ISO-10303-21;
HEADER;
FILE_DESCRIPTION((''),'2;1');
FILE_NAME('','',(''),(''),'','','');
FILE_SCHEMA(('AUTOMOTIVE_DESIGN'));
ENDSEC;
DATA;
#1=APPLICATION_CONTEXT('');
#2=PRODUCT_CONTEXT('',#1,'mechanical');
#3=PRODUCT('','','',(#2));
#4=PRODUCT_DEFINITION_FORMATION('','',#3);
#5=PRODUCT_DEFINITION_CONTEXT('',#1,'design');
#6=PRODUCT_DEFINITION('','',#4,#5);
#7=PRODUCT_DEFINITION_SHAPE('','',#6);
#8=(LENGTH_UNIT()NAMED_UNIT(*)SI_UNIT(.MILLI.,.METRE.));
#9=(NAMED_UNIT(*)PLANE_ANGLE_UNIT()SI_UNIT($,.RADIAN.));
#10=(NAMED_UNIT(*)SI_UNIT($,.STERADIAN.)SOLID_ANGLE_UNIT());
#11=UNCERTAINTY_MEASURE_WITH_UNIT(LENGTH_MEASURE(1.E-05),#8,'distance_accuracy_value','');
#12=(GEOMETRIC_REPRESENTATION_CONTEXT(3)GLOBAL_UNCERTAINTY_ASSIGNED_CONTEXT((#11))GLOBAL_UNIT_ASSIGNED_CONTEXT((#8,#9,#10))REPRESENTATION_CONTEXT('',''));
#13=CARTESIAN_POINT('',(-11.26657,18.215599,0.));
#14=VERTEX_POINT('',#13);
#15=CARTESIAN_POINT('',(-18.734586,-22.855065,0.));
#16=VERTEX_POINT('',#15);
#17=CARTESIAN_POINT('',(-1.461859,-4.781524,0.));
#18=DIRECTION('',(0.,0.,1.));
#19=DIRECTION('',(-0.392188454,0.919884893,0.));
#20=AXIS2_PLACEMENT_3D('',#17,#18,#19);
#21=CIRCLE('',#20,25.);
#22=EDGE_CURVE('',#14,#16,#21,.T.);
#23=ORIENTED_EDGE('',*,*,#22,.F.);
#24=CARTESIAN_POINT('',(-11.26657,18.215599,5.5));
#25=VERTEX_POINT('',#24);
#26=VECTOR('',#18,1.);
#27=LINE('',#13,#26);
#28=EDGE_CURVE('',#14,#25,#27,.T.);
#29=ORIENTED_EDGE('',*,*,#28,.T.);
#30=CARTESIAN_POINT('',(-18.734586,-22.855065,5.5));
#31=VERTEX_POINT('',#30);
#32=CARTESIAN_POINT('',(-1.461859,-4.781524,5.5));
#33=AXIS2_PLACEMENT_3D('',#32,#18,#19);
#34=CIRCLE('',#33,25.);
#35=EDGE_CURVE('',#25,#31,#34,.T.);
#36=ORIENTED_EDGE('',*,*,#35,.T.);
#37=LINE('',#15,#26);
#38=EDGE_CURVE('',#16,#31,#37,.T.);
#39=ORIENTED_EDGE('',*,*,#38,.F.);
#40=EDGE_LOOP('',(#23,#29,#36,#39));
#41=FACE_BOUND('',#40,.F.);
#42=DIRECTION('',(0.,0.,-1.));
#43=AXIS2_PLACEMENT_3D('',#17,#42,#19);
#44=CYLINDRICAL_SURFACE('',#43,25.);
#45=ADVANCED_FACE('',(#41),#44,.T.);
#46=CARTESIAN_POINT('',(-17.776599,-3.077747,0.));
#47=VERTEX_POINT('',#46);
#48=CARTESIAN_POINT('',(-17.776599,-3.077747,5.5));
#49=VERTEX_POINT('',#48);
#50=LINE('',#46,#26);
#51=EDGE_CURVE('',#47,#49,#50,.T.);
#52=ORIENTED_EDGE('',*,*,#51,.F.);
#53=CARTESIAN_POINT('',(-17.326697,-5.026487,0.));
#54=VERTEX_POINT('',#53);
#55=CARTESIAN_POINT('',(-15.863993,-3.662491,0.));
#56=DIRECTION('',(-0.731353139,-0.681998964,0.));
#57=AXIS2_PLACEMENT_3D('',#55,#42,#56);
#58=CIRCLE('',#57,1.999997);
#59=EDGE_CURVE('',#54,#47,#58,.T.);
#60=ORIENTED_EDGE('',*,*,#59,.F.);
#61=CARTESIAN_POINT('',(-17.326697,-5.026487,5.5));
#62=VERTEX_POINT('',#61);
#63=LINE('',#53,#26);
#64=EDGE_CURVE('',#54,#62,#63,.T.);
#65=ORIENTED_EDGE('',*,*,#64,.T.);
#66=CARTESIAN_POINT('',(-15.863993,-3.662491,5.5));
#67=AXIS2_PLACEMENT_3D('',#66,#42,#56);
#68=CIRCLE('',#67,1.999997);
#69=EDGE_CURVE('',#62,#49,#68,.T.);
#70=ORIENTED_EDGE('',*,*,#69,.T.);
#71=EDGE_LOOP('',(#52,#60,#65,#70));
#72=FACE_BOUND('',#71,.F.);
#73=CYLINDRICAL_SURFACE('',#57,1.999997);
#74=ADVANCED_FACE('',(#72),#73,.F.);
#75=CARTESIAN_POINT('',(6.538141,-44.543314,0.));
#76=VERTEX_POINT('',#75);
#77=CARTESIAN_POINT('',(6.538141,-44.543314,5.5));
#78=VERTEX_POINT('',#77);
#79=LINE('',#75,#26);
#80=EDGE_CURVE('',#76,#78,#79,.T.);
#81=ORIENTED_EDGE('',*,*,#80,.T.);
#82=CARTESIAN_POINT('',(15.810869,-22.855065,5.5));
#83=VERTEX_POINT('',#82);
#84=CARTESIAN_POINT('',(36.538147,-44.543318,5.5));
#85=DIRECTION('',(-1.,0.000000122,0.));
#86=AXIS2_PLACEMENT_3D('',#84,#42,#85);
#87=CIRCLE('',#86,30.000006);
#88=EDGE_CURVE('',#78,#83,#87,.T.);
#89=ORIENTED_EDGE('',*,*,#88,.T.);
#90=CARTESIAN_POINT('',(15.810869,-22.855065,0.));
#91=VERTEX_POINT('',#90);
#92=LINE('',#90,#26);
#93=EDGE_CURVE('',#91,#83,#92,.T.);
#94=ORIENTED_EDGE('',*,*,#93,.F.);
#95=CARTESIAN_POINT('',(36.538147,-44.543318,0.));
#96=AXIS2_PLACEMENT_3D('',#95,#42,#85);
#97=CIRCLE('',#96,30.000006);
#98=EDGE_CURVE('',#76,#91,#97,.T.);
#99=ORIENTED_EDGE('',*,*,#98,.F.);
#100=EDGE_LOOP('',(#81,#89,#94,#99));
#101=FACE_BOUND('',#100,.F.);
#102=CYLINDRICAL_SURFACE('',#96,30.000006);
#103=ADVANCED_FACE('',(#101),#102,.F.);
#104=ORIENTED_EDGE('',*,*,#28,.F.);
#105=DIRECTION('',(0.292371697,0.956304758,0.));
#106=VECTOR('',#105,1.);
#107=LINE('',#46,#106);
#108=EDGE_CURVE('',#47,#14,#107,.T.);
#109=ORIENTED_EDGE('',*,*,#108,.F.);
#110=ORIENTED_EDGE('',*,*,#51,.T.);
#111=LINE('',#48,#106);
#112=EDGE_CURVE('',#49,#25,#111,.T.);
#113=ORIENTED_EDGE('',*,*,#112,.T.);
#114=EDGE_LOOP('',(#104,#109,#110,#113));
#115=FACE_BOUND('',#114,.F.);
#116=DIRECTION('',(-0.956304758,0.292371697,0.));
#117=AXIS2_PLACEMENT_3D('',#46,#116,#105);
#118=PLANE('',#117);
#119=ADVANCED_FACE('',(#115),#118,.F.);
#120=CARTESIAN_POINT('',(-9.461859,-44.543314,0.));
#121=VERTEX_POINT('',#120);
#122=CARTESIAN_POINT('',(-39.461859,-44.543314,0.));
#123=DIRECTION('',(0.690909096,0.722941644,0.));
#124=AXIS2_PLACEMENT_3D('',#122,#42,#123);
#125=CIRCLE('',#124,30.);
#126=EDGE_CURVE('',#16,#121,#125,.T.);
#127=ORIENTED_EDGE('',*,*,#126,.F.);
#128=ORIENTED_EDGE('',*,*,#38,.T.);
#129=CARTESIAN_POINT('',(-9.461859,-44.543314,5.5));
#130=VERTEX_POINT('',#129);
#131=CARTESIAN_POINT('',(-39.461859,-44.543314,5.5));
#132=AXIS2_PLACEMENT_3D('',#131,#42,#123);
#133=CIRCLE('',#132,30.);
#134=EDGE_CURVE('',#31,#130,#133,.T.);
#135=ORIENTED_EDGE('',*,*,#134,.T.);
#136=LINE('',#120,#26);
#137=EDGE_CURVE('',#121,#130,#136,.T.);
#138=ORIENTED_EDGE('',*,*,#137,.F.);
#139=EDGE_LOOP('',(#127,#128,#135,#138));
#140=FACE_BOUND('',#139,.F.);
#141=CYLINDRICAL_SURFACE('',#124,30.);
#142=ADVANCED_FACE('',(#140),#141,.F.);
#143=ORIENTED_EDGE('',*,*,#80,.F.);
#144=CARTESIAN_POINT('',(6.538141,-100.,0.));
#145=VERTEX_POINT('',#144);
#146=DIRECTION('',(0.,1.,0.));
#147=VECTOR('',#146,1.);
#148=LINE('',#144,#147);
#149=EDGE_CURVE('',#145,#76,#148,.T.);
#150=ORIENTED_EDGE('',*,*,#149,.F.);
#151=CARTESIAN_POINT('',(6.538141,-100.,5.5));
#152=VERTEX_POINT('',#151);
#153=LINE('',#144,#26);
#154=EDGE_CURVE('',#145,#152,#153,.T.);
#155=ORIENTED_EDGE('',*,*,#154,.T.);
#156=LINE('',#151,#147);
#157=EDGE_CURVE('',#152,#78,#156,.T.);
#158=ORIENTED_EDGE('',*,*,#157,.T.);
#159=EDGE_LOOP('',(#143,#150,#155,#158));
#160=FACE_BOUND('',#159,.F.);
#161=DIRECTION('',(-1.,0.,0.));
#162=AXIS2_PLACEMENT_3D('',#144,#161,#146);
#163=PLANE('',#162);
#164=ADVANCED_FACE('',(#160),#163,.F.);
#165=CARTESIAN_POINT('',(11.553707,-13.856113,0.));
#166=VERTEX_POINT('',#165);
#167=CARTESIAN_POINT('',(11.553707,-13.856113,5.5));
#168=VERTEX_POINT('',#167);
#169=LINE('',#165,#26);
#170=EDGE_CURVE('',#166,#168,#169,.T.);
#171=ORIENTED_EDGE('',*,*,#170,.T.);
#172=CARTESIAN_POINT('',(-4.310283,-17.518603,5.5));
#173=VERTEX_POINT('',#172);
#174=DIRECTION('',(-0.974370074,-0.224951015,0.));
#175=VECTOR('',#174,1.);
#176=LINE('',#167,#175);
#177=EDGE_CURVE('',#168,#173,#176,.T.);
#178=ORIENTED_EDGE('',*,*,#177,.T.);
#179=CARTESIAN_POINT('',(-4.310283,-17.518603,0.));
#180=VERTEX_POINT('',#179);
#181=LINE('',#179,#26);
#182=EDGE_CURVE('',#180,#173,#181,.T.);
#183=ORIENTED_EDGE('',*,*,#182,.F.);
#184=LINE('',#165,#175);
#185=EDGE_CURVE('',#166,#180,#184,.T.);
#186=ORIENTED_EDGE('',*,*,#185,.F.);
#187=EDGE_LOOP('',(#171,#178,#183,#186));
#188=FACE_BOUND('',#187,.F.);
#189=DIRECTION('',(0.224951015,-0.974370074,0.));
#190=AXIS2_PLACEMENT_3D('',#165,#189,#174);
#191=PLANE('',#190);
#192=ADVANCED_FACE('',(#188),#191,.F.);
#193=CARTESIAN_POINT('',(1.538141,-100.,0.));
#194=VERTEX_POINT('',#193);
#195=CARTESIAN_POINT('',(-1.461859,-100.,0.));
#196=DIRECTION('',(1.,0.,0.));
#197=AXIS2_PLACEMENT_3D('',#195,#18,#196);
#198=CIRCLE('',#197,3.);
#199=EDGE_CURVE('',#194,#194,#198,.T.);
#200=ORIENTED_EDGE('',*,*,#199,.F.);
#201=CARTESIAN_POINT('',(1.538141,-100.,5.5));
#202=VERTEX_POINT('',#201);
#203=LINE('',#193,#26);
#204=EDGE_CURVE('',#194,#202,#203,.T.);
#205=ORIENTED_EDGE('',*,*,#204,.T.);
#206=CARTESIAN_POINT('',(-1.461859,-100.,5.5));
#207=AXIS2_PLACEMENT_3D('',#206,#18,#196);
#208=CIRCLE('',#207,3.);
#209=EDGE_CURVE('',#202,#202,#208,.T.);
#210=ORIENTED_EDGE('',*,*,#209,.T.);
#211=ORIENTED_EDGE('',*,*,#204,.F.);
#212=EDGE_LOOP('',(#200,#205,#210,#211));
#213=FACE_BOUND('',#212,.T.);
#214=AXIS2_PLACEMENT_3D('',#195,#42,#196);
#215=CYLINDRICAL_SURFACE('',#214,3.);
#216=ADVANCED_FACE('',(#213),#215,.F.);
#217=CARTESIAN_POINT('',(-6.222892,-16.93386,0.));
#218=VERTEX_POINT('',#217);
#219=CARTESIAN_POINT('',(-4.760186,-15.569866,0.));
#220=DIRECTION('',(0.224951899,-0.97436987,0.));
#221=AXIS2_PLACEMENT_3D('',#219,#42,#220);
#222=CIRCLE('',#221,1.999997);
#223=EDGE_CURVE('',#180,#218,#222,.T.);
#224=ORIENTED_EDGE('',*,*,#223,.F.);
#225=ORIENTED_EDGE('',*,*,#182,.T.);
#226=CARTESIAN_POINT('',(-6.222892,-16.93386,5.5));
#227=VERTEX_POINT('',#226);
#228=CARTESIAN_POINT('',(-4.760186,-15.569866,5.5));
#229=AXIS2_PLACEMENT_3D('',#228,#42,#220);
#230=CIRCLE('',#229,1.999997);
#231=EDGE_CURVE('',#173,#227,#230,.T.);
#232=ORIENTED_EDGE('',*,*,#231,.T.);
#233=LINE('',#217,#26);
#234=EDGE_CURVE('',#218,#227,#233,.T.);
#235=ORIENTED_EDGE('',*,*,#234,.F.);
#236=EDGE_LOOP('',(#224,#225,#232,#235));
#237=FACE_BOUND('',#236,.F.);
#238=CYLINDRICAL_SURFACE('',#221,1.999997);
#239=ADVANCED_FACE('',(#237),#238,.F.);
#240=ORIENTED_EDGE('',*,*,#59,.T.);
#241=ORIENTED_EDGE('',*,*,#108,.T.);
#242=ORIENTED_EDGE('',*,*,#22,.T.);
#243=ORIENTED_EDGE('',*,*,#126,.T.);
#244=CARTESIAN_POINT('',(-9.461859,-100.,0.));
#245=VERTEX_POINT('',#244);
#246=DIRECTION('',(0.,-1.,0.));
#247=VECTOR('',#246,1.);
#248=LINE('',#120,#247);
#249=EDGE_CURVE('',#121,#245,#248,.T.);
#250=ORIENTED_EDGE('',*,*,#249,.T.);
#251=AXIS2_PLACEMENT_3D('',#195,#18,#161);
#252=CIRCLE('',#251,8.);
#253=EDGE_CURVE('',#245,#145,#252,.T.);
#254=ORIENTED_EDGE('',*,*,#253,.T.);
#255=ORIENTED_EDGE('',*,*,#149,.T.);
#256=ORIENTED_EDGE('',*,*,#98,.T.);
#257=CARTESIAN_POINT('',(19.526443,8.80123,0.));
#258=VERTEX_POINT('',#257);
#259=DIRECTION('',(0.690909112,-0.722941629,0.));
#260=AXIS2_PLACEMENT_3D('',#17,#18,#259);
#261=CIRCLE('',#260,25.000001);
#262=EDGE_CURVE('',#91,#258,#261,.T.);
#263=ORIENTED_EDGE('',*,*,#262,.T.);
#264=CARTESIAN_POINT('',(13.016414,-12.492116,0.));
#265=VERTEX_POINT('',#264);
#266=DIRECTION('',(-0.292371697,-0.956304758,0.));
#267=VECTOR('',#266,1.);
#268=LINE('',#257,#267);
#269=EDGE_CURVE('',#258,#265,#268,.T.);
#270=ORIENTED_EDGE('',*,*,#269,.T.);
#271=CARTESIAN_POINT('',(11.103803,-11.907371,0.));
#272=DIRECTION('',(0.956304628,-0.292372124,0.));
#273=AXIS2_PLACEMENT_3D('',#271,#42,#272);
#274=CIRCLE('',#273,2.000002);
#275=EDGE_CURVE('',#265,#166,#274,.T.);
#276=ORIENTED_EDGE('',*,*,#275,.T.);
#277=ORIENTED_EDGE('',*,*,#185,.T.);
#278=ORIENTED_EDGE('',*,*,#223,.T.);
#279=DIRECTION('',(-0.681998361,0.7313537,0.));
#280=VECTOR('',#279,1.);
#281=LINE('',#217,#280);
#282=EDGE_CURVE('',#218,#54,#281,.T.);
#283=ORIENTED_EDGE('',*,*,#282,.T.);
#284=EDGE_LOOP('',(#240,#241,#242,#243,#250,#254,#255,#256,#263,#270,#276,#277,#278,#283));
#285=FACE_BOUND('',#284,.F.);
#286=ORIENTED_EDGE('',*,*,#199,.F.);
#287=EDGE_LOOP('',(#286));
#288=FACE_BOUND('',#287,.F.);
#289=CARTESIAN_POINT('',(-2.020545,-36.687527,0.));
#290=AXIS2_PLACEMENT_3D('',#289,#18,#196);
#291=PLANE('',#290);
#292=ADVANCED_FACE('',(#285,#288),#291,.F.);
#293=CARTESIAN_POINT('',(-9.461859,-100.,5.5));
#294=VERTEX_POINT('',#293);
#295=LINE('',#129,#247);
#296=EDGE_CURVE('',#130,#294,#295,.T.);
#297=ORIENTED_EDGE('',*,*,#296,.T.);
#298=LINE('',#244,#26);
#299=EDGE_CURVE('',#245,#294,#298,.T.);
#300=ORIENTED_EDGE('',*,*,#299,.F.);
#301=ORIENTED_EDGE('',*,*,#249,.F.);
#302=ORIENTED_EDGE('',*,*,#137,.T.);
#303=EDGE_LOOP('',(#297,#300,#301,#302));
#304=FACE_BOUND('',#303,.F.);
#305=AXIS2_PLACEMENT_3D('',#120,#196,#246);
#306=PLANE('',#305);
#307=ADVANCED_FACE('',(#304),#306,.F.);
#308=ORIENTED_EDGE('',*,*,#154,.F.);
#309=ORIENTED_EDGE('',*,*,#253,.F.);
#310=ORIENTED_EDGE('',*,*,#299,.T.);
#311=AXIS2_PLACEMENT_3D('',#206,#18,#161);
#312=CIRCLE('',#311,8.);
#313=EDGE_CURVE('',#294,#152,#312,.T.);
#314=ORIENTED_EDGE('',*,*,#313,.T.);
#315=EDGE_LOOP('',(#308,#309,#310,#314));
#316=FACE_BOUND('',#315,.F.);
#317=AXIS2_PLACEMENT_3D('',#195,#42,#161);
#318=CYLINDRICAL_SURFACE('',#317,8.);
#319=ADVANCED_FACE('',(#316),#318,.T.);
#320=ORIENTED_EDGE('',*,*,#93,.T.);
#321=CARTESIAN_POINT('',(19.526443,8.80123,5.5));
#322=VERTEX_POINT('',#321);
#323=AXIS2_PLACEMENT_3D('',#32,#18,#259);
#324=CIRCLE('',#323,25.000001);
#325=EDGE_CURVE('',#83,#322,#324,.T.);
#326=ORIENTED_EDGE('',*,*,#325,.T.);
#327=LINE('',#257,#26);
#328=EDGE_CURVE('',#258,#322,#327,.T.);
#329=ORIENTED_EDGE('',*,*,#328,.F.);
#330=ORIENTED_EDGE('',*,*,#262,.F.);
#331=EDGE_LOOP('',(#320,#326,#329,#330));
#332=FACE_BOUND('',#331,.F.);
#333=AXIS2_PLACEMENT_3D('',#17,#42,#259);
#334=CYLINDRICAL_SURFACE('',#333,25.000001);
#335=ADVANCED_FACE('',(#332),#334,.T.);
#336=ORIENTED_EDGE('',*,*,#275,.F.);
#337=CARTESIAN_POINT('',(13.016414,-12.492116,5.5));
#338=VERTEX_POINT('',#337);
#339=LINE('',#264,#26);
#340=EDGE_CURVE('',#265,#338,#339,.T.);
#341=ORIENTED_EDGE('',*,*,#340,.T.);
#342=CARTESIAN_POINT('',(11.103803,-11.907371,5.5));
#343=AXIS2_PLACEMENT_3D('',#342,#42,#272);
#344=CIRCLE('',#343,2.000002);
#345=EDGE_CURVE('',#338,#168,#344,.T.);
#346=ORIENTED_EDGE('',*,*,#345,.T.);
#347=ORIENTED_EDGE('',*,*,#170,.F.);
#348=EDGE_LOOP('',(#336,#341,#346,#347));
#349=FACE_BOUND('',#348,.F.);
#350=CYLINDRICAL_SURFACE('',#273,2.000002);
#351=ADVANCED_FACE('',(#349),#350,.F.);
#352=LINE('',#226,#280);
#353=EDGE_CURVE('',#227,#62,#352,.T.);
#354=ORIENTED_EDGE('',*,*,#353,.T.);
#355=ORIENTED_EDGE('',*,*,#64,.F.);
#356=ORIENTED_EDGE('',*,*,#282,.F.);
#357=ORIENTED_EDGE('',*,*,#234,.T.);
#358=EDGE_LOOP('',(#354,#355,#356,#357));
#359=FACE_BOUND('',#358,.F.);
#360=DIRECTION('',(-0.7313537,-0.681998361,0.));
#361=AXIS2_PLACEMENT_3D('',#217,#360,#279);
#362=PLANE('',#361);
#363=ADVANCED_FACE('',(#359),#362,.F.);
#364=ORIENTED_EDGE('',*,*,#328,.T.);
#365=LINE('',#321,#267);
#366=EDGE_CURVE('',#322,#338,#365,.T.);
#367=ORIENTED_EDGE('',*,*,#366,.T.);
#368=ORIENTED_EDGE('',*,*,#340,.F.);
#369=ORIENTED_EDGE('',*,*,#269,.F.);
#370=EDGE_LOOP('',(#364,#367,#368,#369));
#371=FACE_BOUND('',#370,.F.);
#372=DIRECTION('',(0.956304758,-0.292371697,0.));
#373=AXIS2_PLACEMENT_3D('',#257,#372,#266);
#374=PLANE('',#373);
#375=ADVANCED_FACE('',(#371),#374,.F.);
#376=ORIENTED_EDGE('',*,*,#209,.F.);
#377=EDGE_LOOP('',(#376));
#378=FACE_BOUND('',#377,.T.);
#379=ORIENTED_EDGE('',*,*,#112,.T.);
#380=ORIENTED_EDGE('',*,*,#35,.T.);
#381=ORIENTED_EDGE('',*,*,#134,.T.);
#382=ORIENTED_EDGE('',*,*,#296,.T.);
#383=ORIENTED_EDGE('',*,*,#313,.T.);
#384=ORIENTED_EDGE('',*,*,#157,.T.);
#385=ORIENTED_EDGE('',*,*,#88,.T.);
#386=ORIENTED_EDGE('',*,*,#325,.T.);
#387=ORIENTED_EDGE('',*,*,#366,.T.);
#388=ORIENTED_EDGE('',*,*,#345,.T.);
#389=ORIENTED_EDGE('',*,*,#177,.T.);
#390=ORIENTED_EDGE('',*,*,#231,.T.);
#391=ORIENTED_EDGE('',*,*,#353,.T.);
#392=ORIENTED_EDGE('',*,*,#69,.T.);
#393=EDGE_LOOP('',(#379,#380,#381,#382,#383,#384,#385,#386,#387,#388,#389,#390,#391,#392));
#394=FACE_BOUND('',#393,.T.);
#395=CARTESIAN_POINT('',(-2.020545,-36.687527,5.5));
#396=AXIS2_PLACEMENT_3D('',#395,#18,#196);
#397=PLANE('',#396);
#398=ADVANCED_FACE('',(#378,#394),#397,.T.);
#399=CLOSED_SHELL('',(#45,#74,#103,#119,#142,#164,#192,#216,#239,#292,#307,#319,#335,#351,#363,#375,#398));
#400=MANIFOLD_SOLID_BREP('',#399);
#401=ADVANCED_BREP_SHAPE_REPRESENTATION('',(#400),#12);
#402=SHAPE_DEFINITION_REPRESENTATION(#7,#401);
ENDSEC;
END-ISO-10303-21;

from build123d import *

# Parameters (mm, degrees)
F0_R     = 3
F1_DEPTH = 5.5


with BuildPart() as f1:
    # F0 (on Top) → F1 (new body)
    with BuildSketch(Plane.XY):
        with BuildLine():
            ThreePointArc((15.810869, -22.855065), (23.367697, -7.695828), (19.526443, 8.80123))
            Line((19.526443, 8.80123), (13.016414, -12.492116))
            ThreePointArc((13.016414, -12.492116), (12.467801, -13.37008), (11.553707, -13.856113))
            Line((11.553707, -13.856113), (-4.310283, -17.518603))
            ThreePointArc((-4.310283, -17.518603), (-5.344928, -17.482473), (-6.222892, -16.93386))
            Line((-6.222892, -16.93386), (-17.326697, -5.026487))
            ThreePointArc((-17.326697, -5.026487), (-17.81273, -4.112393), (-17.776599, -3.077747))
            Line((-17.776599, -3.077747), (-11.26657, 18.215599))
            ThreePointArc((-11.26657, 18.215599), (-26.058541, -0.309027), (-18.734586, -22.855065))
            ThreePointArc((-18.734586, -22.855065), (-11.877278, -32.749634), (-9.461859, -44.543314))
            Line((-9.461859, -44.543314), (-9.461859, -100))
            ThreePointArc((-9.461859, -100), (-1.461859, -108), (6.538141, -100))
            Line((6.538141, -100), (6.538141, -44.543314))
            ThreePointArc((6.538141, -44.543314), (8.953561, -32.749634), (15.810869, -22.855065))
        make_face()
        with Locations((-1.461859, -100)):
            Circle(F0_R, mode=Mode.SUBTRACT)
    extrude(amount=F1_DEPTH)


solid = f1.part
